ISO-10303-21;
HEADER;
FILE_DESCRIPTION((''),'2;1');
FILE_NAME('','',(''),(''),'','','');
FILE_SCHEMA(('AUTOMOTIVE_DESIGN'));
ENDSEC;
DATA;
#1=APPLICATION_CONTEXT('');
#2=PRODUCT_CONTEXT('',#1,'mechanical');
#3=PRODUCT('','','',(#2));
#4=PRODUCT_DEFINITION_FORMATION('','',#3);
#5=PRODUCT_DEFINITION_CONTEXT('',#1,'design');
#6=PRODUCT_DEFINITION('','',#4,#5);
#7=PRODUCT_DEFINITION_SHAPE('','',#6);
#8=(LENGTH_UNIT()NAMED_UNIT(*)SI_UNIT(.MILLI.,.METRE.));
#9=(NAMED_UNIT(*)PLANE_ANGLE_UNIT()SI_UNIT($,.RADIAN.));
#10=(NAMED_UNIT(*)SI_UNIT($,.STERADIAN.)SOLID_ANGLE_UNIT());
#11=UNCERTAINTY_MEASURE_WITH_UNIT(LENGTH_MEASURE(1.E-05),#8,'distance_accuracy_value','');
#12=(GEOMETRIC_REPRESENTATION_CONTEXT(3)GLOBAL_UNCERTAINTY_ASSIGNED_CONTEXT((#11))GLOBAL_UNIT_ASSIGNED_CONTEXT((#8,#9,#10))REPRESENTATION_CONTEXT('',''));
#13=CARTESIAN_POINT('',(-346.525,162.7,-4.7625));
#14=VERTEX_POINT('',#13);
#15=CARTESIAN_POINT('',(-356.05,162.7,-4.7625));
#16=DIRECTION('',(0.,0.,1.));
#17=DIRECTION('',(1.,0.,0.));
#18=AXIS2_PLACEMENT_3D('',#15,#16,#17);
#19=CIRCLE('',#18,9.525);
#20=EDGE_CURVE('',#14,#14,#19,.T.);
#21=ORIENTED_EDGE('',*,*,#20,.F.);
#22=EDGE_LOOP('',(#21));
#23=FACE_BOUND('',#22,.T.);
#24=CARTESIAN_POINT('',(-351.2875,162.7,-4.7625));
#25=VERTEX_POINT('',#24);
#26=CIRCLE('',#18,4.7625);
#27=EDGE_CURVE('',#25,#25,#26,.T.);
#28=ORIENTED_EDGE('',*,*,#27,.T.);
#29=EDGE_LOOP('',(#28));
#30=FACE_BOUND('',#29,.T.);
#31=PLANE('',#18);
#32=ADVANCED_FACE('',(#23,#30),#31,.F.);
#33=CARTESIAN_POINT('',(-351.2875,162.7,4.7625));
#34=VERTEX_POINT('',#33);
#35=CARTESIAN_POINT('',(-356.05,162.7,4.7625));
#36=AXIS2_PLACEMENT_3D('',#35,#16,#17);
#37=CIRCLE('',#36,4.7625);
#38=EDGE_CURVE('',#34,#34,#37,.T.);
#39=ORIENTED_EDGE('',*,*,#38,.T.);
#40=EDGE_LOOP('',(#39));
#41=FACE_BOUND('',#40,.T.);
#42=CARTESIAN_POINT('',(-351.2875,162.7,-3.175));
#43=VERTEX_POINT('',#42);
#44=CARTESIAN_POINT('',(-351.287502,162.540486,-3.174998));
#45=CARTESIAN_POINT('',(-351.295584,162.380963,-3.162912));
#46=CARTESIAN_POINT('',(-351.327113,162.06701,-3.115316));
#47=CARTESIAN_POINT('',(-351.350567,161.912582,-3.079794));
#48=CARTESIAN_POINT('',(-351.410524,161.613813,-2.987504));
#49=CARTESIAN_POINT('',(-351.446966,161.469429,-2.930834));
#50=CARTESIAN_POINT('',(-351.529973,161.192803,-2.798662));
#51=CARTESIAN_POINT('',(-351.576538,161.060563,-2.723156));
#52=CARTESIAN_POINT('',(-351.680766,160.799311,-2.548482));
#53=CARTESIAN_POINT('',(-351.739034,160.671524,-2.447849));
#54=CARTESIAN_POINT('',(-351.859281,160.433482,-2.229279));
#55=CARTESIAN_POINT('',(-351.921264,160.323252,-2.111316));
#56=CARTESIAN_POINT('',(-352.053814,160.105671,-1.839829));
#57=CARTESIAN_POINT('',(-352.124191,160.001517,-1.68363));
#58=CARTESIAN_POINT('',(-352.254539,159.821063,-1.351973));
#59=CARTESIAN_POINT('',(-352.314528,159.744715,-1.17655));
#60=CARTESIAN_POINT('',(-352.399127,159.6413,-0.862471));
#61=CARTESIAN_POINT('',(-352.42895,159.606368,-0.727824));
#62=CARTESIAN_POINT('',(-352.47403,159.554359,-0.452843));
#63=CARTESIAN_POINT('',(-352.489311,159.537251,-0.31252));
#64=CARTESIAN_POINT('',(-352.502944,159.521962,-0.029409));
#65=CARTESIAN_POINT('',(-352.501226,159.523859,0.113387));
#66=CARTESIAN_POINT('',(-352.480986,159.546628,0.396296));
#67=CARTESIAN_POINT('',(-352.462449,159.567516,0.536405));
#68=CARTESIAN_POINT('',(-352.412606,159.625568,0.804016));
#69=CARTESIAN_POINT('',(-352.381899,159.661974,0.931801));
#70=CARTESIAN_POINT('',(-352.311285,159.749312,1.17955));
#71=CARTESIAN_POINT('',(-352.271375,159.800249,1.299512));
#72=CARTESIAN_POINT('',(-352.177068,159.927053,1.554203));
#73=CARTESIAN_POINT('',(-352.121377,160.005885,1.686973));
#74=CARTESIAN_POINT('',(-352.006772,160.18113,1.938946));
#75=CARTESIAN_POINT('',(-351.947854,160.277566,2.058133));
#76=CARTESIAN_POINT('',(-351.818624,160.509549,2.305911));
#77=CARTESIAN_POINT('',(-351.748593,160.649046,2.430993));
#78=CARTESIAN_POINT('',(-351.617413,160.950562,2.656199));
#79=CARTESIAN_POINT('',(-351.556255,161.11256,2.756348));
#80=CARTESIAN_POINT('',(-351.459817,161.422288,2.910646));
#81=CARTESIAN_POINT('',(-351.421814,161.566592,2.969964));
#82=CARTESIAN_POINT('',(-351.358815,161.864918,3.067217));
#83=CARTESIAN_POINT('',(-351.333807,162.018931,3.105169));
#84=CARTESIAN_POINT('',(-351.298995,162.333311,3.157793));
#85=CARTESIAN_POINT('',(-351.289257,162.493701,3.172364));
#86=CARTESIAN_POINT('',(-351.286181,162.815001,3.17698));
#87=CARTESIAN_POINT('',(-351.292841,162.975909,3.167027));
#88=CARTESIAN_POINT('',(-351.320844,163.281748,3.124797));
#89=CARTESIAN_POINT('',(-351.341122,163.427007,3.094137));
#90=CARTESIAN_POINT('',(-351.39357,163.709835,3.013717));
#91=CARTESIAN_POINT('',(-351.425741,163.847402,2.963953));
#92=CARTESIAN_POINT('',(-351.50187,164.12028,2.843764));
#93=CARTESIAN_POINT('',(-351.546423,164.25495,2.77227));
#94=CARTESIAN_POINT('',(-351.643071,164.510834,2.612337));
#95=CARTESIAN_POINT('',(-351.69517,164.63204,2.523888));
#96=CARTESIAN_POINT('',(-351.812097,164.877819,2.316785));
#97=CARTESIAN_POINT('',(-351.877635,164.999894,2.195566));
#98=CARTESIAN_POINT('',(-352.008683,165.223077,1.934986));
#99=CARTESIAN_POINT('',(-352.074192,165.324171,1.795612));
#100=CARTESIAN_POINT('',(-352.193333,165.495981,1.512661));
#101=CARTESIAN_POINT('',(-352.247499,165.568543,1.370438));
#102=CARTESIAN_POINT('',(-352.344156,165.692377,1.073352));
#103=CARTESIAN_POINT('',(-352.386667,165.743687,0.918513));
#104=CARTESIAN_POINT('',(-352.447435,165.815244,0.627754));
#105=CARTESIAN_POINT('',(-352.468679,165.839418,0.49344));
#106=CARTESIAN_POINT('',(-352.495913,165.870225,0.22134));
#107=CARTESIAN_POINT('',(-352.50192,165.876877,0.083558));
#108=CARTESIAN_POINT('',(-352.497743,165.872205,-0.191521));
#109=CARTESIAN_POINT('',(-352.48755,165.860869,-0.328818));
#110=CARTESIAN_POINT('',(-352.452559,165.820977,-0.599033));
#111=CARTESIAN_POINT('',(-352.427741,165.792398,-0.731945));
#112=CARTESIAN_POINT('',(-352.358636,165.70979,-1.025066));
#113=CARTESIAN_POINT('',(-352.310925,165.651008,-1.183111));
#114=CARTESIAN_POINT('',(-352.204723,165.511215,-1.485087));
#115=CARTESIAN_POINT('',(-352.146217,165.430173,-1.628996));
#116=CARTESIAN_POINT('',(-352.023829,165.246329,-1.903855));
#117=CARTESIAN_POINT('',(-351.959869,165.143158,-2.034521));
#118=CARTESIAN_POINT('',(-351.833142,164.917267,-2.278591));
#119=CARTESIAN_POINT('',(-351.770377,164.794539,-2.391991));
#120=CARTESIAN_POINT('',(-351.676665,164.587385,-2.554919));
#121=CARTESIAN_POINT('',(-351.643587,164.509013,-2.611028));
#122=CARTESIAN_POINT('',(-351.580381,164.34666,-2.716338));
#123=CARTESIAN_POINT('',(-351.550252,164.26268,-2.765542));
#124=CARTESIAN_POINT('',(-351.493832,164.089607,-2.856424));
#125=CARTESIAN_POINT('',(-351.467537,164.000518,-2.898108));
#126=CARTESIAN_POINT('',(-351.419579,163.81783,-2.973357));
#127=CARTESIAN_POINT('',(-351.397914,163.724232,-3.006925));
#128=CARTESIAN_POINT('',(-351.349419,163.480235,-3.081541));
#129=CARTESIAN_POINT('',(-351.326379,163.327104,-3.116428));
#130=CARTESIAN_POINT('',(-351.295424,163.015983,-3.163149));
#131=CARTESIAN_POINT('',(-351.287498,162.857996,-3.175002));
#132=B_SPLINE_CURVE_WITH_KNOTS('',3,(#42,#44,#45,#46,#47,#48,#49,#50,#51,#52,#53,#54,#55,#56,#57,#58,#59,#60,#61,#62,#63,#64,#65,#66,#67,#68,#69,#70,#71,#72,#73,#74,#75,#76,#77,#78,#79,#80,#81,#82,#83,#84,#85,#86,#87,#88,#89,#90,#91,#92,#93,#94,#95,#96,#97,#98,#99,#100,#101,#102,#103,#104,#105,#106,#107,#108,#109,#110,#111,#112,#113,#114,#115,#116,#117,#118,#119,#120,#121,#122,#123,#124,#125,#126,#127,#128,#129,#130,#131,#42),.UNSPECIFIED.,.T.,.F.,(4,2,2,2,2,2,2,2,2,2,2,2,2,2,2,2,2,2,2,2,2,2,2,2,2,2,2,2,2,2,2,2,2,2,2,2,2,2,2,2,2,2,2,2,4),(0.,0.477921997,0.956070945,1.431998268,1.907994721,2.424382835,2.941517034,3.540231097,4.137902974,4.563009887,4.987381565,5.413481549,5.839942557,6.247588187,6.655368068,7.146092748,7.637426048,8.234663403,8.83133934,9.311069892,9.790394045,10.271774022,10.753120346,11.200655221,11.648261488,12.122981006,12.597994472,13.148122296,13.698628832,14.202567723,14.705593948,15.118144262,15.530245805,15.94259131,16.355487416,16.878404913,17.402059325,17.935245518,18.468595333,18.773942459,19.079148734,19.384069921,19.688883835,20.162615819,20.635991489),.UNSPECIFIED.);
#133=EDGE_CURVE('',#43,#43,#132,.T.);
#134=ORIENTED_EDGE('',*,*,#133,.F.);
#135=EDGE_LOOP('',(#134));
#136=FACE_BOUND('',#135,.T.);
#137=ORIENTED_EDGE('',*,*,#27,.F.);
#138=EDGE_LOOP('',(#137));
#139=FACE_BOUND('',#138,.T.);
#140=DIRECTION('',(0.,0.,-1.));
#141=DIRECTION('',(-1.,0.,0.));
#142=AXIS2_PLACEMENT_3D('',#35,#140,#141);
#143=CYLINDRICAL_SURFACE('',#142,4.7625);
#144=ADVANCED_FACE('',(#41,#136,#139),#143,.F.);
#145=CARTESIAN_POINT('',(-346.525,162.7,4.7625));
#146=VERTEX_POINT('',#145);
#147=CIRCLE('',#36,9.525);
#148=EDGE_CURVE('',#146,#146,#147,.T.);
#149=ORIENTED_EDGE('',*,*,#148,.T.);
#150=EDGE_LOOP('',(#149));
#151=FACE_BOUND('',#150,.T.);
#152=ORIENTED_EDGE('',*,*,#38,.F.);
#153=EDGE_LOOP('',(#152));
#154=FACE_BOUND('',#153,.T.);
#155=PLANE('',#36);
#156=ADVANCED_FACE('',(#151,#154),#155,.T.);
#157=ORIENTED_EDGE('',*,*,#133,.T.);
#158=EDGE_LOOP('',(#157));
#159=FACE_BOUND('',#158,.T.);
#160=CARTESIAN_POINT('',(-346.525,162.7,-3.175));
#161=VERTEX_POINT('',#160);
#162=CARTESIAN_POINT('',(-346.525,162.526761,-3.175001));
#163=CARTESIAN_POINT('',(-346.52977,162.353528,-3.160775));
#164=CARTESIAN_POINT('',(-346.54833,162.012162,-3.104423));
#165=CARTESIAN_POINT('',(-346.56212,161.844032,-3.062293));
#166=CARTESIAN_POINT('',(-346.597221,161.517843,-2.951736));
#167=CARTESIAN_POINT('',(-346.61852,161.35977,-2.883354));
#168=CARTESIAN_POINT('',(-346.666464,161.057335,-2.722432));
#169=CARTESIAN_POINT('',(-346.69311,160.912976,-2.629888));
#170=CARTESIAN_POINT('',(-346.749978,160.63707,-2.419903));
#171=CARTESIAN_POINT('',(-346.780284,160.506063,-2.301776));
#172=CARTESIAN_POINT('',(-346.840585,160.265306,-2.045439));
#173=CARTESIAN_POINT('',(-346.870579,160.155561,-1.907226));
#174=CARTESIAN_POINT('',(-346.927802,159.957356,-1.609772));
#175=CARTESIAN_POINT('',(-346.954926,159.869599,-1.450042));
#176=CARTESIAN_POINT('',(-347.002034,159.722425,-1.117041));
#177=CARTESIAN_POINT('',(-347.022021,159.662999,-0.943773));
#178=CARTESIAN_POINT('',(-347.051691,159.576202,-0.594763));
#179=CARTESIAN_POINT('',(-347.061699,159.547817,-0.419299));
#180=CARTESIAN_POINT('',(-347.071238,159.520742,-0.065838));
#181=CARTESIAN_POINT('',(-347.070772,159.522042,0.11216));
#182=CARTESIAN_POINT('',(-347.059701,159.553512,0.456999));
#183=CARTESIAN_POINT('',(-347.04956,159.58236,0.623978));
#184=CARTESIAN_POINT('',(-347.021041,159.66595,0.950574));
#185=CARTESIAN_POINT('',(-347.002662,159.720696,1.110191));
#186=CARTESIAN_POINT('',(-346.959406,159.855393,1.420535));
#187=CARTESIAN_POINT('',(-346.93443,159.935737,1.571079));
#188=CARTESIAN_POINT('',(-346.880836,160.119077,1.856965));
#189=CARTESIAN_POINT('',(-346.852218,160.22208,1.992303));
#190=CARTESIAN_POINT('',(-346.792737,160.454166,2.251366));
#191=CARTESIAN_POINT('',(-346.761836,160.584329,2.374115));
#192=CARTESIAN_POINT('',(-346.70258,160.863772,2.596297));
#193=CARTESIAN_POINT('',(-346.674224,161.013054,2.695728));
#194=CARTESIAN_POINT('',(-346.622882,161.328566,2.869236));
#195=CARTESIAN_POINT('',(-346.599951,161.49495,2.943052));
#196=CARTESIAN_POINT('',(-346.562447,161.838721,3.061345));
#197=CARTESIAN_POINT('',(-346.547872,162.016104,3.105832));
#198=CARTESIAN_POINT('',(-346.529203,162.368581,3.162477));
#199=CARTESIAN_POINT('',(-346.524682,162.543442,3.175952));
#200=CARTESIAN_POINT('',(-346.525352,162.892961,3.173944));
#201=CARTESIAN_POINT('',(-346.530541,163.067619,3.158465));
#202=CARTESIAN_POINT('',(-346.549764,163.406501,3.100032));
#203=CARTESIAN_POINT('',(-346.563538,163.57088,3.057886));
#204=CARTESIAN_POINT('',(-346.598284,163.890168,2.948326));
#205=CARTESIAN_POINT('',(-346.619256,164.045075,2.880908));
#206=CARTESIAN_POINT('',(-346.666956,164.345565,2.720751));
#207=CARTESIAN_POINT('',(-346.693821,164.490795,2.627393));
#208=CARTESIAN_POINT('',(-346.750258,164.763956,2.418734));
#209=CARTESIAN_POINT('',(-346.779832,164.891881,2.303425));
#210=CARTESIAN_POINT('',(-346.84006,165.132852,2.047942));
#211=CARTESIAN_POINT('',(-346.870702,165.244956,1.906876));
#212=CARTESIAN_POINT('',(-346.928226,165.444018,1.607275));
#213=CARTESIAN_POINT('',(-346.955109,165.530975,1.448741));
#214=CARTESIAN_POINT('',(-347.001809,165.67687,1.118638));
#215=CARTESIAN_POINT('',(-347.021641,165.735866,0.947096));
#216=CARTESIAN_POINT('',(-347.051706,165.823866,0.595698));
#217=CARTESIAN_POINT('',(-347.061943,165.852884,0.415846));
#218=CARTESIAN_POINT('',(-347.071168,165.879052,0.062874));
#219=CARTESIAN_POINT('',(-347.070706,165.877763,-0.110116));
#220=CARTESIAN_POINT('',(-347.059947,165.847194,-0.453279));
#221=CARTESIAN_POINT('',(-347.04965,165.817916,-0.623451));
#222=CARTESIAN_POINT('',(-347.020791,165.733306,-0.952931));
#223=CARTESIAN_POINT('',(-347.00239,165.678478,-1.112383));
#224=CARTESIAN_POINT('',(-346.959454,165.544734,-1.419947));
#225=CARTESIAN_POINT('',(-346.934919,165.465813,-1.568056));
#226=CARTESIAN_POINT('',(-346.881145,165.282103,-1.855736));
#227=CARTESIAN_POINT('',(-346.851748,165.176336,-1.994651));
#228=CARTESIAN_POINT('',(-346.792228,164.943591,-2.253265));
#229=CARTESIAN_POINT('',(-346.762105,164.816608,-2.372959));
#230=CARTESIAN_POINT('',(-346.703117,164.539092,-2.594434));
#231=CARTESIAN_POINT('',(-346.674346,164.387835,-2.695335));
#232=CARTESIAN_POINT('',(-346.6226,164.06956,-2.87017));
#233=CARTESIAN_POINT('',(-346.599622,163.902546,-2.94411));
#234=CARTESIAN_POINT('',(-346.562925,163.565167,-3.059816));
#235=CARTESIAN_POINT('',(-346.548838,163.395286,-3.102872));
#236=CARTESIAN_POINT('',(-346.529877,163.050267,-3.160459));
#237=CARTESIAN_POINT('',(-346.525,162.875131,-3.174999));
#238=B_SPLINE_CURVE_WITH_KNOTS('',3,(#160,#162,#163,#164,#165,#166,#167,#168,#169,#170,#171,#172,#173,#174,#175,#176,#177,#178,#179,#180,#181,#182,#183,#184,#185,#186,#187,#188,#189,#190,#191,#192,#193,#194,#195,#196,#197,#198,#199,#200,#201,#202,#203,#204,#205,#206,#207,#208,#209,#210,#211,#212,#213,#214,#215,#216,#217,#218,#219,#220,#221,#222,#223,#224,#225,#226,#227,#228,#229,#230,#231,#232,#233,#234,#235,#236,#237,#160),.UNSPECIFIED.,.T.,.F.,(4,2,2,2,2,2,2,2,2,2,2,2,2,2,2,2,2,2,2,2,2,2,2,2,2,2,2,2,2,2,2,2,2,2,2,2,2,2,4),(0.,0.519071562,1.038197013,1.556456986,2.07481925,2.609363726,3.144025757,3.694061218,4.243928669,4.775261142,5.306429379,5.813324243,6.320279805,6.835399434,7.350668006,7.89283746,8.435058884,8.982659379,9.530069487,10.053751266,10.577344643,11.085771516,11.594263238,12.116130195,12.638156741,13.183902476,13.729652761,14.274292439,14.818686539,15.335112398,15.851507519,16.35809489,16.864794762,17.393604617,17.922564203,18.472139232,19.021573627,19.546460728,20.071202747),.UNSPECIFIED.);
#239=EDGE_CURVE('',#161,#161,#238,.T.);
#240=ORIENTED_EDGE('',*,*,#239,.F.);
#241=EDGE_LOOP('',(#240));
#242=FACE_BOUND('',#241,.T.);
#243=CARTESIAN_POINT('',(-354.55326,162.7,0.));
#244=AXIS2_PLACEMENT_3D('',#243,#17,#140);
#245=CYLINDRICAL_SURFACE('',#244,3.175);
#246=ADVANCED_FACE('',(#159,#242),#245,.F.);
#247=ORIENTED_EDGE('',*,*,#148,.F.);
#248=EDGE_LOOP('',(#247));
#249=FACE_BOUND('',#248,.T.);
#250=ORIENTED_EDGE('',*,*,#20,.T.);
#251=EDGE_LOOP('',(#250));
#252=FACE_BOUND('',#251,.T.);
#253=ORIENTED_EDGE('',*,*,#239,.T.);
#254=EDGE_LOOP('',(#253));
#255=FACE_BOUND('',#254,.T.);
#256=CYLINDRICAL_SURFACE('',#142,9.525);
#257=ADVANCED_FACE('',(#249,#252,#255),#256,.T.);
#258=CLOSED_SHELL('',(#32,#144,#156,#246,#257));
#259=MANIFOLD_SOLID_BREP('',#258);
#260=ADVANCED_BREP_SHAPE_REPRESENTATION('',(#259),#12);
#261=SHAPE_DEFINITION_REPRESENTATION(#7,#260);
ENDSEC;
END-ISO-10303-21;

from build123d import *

# Parameters (mm, degrees)
SKETCH1_R          = 9.525
SKETCH1_R_2        = 4.7625
EXTRUDE1_DEPTH     = 4.7625
SKETCH2_R          = 3.175
CUT_EXTRUDE1_DEPTH = 354.553259537


with BuildPart() as part:
    # Sketch1 → Extrude1 (new body, symmetric)
    with BuildSketch(Plane.XY):
        with Locations((-356.05, 162.7)):
            Circle(SKETCH1_R)
        with Locations((-356.05, 162.7)):
            Circle(SKETCH1_R_2, mode=Mode.SUBTRACT)
    extrude(amount=EXTRUDE1_DEPTH, both=True)

    # Sketch2 → Cut-Extrude1 (cut)
    with BuildSketch(Plane(origin=(0, 0, 0), x_dir=(0, 0, -1), z_dir=(1, 0, 0))):
        with Locations((0, 162.7)):
            Circle(SKETCH2_R)
    extrude(amount=-CUT_EXTRUDE1_DEPTH, mode=Mode.SUBTRACT)


solid = part.part
